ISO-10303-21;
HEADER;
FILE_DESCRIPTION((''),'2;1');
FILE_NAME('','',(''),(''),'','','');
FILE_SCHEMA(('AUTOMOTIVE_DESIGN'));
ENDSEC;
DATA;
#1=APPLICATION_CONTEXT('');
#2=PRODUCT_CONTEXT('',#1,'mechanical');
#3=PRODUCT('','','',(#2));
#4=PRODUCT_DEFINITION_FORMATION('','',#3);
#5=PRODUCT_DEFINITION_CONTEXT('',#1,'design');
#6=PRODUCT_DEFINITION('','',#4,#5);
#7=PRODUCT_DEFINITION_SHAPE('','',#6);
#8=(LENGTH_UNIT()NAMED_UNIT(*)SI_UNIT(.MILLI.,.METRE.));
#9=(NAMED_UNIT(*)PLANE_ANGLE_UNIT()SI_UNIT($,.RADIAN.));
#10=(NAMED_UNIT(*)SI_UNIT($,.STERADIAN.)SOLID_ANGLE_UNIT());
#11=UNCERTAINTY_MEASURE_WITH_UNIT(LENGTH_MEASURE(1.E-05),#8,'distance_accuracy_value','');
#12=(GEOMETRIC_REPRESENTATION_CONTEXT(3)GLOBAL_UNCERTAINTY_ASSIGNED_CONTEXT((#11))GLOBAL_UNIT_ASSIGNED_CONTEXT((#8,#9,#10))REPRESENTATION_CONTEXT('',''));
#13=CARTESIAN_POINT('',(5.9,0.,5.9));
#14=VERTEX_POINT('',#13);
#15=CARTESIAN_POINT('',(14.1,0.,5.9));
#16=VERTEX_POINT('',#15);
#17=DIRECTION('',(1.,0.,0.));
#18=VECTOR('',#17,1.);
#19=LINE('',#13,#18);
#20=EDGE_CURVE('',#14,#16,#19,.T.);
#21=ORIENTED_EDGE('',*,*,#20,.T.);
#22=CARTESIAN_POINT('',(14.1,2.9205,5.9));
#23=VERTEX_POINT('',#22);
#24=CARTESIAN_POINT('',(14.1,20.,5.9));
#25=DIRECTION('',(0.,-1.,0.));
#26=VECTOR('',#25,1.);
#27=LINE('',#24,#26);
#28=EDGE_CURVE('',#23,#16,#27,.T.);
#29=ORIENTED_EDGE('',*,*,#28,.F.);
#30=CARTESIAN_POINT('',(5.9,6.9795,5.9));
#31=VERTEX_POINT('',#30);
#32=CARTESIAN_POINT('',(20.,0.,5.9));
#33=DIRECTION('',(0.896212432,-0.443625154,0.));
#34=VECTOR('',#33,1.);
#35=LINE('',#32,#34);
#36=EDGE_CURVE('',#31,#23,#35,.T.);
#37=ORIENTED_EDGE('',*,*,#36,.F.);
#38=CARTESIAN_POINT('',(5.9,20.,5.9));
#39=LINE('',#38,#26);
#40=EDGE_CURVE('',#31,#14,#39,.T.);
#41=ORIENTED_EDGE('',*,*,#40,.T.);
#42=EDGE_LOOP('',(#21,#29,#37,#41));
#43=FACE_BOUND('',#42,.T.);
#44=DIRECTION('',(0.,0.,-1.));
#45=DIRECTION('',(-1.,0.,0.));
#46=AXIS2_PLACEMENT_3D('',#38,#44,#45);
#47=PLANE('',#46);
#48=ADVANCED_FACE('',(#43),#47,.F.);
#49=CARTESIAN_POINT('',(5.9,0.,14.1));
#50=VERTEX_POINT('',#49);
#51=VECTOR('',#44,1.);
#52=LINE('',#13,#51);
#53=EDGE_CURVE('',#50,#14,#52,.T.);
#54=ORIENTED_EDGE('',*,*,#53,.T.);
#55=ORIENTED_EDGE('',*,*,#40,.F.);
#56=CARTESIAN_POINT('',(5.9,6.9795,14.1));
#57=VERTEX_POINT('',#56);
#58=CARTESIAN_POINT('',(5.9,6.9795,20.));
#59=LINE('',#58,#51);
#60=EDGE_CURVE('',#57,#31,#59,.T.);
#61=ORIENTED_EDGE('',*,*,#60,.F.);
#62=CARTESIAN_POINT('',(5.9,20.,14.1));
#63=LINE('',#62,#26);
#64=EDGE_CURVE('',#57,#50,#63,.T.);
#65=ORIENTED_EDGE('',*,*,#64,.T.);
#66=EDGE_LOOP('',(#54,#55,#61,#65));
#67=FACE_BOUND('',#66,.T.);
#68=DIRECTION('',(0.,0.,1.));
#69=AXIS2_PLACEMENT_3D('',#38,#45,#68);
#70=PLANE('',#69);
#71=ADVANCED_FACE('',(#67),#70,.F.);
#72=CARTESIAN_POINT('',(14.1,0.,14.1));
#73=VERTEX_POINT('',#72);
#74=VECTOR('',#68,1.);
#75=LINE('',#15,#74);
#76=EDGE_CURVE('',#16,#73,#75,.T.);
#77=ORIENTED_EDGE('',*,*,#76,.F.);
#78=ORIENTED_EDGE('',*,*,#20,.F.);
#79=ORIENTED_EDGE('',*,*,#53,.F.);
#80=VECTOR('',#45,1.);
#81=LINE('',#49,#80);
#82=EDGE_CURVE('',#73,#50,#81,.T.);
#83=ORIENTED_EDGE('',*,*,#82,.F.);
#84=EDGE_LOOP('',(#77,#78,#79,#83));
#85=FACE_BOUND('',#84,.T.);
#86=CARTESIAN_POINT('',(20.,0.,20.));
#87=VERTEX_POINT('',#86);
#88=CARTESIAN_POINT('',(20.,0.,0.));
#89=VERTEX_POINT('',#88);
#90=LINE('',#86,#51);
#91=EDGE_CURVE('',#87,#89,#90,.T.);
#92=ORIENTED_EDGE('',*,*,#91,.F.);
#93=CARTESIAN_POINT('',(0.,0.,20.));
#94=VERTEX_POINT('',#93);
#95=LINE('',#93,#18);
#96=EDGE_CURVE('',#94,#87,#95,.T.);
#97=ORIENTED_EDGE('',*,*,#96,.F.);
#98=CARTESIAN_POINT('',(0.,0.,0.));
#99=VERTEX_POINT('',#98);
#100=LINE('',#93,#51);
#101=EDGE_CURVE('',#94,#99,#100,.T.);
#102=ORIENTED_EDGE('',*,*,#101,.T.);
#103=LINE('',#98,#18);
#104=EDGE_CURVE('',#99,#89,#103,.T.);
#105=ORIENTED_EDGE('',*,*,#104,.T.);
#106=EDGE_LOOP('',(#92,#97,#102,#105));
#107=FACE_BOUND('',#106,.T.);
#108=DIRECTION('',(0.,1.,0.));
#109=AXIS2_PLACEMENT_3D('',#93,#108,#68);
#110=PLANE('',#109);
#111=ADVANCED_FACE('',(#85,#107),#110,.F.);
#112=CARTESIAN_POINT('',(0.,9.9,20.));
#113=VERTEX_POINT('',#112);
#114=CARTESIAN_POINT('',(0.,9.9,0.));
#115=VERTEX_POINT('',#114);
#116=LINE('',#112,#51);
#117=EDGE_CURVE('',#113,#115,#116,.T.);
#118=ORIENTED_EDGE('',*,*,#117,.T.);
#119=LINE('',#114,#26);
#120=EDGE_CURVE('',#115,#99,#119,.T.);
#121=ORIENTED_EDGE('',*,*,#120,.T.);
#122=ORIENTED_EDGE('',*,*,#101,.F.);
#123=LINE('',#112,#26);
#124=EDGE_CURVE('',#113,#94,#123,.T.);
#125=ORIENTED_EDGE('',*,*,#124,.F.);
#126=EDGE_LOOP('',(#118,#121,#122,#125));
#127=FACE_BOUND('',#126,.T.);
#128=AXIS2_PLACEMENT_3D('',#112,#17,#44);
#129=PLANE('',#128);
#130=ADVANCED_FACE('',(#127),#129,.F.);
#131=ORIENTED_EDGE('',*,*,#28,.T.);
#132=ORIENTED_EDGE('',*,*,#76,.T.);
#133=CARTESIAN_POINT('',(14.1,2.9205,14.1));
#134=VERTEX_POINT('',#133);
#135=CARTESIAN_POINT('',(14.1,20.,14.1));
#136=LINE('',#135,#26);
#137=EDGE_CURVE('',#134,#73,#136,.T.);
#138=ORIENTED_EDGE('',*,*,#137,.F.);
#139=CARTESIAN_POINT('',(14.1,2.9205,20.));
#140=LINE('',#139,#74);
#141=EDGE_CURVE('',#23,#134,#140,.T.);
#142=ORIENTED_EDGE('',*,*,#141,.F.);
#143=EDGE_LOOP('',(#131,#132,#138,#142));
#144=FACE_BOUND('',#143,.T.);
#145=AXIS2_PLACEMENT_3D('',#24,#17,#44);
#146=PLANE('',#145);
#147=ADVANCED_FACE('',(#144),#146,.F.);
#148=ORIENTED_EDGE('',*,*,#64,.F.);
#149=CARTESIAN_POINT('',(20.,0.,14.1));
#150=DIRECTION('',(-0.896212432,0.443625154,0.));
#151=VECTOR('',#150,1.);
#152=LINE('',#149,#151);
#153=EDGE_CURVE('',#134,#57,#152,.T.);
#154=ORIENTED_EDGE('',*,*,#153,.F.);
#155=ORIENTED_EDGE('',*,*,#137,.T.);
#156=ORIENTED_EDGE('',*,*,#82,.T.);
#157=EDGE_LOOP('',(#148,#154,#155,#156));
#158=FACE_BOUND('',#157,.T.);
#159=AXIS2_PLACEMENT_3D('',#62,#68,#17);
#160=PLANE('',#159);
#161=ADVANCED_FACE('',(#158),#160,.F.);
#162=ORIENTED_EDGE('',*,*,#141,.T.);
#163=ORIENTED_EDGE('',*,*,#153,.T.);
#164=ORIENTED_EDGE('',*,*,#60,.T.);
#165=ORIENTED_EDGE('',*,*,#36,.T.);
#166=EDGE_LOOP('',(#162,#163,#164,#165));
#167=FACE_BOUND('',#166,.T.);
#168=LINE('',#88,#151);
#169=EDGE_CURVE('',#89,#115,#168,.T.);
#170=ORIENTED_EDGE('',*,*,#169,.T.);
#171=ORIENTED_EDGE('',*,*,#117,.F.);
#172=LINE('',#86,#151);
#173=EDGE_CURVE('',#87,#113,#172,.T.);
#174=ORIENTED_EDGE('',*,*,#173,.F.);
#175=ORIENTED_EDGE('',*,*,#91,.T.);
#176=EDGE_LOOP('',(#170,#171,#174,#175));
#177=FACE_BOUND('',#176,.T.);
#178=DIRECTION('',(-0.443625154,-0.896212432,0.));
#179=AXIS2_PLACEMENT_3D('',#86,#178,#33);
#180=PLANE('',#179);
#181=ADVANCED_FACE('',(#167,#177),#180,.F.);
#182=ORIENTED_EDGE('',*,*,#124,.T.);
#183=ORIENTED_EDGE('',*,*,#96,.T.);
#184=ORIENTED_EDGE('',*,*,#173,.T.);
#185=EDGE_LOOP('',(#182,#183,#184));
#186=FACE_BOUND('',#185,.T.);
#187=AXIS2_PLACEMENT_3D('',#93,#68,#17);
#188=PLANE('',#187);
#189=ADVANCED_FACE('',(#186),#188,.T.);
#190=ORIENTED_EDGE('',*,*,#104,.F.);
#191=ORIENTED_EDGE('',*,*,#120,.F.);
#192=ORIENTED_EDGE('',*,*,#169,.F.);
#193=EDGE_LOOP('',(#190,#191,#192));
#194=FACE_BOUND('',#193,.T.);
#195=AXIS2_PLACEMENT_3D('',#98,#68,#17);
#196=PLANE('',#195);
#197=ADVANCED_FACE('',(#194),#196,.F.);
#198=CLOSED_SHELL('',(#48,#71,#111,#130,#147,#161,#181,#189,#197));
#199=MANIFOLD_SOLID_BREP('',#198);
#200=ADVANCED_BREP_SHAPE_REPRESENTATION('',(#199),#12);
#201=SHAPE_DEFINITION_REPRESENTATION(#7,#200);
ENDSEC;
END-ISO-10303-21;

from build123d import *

# Parameters (mm, degrees)
SALIENTE_EXTRUIR1_DEPTH = 20
CROQUIS2_W              = 8.2
CROQUIS2_H              = 8.2
CORTAR_EXTRUIR1_DEPTH   = 20


with BuildPart() as part:
    # Croquis1 → Saliente-Extruir1 (new body)
    with BuildSketch(Plane.XY):
        Polygon((0, 0), (20, 0), (0, 9.9), align=None)
    extrude(amount=SALIENTE_EXTRUIR1_DEPTH)

    # Croquis2 → Cortar-Extruir1 (cut)
    with BuildSketch(Plane.XZ):
        with Locations((10, 10)):
            Rectangle(CROQUIS2_W, CROQUIS2_H)
    extrude(amount=-CORTAR_EXTRUIR1_DEPTH, mode=Mode.SUBTRACT)


solid = part.part
